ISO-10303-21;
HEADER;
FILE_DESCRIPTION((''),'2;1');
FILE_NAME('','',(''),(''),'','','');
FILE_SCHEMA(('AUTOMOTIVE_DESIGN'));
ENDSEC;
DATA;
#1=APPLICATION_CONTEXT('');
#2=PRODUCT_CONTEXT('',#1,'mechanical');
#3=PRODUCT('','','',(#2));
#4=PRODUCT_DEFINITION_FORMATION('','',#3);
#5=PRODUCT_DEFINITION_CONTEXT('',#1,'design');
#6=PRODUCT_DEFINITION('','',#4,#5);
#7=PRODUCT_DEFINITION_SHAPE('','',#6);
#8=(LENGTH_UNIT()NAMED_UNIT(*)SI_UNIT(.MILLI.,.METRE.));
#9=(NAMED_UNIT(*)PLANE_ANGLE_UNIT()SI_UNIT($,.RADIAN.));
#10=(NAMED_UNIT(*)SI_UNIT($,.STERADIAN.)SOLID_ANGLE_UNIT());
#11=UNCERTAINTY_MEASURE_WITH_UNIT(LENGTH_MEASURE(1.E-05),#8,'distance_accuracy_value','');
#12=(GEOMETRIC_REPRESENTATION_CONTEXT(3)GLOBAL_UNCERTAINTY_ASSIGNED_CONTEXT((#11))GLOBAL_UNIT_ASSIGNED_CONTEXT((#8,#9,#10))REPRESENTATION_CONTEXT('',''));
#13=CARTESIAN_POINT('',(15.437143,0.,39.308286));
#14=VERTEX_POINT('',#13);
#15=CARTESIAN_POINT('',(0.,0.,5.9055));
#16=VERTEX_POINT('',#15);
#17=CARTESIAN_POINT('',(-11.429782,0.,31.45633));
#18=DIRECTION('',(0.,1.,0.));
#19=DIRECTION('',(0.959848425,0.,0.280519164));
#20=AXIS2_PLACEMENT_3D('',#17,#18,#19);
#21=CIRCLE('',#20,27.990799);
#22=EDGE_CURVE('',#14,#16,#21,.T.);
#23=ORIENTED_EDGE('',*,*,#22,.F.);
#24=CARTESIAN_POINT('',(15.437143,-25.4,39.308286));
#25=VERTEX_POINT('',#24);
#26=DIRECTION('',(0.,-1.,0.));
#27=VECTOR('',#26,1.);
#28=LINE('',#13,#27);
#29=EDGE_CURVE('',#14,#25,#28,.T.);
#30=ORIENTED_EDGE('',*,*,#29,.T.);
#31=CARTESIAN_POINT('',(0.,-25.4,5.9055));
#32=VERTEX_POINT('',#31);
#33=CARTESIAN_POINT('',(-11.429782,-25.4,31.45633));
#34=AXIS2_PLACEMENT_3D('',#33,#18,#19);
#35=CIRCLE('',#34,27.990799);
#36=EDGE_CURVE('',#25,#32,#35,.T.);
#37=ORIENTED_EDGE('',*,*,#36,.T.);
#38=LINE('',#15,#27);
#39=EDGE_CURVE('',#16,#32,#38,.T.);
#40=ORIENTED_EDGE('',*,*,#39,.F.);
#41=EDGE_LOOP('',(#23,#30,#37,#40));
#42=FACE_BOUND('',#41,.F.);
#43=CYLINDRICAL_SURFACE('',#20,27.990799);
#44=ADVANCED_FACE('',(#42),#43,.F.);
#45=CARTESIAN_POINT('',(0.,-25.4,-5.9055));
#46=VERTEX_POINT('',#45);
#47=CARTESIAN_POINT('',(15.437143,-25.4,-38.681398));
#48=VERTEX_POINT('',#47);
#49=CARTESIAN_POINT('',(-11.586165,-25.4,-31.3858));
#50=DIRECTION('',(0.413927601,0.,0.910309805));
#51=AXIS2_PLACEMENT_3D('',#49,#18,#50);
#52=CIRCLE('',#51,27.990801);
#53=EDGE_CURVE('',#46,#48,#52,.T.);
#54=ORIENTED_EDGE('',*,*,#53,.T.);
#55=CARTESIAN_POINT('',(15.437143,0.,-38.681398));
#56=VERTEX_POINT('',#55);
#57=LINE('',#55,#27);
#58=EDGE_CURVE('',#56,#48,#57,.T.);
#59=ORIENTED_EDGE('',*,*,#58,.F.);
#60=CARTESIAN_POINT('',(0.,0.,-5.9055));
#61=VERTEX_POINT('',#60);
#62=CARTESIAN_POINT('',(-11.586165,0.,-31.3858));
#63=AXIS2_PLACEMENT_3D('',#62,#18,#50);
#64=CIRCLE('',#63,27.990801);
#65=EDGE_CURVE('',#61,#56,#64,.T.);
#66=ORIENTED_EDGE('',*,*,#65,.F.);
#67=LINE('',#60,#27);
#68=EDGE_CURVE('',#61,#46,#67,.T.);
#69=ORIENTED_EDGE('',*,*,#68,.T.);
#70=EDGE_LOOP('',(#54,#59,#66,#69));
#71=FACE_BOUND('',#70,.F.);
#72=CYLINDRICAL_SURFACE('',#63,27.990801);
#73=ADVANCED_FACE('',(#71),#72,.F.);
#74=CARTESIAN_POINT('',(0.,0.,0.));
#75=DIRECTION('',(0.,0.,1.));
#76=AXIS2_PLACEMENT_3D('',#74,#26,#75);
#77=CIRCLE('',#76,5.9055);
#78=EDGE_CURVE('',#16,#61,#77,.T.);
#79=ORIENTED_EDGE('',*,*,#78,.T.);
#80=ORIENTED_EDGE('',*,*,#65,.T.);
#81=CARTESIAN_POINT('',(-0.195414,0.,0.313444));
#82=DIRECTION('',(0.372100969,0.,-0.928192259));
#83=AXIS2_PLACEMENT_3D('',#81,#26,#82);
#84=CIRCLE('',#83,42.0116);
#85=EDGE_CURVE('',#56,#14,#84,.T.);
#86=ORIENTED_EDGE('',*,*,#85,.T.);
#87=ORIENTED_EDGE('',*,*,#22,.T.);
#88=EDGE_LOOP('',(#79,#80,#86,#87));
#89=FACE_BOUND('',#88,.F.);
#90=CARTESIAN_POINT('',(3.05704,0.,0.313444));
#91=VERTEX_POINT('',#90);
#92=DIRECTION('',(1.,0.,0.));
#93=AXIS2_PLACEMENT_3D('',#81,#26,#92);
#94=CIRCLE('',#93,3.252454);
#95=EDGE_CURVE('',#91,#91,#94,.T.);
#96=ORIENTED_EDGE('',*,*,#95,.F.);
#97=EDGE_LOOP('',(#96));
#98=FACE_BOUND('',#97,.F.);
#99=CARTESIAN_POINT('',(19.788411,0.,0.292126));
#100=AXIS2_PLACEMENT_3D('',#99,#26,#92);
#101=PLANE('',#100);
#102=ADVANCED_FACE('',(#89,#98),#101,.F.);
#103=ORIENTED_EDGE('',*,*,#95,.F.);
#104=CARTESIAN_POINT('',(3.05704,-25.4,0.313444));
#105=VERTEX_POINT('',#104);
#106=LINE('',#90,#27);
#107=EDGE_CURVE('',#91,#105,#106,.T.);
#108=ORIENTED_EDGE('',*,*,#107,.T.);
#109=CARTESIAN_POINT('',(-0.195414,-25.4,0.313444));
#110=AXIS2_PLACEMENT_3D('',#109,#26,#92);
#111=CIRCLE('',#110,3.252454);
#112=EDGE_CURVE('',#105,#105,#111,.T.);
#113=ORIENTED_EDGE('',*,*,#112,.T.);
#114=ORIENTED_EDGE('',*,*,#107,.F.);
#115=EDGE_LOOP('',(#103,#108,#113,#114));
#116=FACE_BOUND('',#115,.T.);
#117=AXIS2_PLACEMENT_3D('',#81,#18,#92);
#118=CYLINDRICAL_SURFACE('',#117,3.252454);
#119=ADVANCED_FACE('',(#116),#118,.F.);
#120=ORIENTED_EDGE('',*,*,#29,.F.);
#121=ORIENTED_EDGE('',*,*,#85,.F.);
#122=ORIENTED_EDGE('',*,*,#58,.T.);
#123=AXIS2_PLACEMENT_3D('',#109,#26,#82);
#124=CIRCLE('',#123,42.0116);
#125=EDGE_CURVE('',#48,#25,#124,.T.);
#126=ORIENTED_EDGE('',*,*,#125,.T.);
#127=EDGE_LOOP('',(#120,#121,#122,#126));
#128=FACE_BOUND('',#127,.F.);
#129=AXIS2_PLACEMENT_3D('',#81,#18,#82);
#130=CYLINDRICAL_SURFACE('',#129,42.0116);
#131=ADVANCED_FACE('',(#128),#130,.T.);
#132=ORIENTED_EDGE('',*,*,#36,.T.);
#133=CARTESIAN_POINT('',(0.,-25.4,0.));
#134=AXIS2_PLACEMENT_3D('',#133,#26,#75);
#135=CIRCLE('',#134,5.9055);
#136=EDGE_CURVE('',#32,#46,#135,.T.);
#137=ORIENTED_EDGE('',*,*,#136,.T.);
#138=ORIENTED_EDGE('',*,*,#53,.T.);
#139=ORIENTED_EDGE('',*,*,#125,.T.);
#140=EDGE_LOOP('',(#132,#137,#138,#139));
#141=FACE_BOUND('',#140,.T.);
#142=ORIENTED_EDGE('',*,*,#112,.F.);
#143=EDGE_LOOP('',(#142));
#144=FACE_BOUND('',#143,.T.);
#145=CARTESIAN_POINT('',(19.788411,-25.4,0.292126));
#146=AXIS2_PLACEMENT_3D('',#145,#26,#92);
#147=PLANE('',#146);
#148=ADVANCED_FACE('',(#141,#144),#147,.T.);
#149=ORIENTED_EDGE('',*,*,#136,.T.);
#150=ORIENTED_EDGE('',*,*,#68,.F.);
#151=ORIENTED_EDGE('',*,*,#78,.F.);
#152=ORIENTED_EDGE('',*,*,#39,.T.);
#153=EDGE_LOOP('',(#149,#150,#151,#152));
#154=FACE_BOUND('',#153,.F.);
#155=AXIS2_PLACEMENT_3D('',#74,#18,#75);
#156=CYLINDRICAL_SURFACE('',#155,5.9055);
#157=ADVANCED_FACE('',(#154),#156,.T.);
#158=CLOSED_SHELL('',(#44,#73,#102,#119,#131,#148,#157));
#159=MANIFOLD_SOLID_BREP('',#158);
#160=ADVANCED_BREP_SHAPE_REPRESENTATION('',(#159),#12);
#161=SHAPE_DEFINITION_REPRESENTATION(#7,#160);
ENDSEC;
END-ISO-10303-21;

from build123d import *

# Parameters (mm, degrees)
F0_R     = 3.252454
F1_DEPTH = 25.4


with BuildPart() as f1:
    # F0 (on Front) → F1 (new body)
    with BuildSketch(Plane.XZ):
        with BuildLine():
            ThreePointArc((15.437143, 39.308286), (13.978799, 19.713721), (0, 5.9055))
            ThreePointArc((0, 5.9055), (-5.9055, 0), (0, -5.9055))
            ThreePointArc((0, -5.9055), (13.736507, -19.459057), (15.437143, -38.681398))
            ThreePointArc((15.437143, -38.681398), (41.816186, 0.313444), (15.437143, 39.308286))
        make_face()
        with Locations((-0.195414, 0.313444)):
            Circle(F0_R, mode=Mode.SUBTRACT)
    extrude(amount=F1_DEPTH)


solid = f1.part
